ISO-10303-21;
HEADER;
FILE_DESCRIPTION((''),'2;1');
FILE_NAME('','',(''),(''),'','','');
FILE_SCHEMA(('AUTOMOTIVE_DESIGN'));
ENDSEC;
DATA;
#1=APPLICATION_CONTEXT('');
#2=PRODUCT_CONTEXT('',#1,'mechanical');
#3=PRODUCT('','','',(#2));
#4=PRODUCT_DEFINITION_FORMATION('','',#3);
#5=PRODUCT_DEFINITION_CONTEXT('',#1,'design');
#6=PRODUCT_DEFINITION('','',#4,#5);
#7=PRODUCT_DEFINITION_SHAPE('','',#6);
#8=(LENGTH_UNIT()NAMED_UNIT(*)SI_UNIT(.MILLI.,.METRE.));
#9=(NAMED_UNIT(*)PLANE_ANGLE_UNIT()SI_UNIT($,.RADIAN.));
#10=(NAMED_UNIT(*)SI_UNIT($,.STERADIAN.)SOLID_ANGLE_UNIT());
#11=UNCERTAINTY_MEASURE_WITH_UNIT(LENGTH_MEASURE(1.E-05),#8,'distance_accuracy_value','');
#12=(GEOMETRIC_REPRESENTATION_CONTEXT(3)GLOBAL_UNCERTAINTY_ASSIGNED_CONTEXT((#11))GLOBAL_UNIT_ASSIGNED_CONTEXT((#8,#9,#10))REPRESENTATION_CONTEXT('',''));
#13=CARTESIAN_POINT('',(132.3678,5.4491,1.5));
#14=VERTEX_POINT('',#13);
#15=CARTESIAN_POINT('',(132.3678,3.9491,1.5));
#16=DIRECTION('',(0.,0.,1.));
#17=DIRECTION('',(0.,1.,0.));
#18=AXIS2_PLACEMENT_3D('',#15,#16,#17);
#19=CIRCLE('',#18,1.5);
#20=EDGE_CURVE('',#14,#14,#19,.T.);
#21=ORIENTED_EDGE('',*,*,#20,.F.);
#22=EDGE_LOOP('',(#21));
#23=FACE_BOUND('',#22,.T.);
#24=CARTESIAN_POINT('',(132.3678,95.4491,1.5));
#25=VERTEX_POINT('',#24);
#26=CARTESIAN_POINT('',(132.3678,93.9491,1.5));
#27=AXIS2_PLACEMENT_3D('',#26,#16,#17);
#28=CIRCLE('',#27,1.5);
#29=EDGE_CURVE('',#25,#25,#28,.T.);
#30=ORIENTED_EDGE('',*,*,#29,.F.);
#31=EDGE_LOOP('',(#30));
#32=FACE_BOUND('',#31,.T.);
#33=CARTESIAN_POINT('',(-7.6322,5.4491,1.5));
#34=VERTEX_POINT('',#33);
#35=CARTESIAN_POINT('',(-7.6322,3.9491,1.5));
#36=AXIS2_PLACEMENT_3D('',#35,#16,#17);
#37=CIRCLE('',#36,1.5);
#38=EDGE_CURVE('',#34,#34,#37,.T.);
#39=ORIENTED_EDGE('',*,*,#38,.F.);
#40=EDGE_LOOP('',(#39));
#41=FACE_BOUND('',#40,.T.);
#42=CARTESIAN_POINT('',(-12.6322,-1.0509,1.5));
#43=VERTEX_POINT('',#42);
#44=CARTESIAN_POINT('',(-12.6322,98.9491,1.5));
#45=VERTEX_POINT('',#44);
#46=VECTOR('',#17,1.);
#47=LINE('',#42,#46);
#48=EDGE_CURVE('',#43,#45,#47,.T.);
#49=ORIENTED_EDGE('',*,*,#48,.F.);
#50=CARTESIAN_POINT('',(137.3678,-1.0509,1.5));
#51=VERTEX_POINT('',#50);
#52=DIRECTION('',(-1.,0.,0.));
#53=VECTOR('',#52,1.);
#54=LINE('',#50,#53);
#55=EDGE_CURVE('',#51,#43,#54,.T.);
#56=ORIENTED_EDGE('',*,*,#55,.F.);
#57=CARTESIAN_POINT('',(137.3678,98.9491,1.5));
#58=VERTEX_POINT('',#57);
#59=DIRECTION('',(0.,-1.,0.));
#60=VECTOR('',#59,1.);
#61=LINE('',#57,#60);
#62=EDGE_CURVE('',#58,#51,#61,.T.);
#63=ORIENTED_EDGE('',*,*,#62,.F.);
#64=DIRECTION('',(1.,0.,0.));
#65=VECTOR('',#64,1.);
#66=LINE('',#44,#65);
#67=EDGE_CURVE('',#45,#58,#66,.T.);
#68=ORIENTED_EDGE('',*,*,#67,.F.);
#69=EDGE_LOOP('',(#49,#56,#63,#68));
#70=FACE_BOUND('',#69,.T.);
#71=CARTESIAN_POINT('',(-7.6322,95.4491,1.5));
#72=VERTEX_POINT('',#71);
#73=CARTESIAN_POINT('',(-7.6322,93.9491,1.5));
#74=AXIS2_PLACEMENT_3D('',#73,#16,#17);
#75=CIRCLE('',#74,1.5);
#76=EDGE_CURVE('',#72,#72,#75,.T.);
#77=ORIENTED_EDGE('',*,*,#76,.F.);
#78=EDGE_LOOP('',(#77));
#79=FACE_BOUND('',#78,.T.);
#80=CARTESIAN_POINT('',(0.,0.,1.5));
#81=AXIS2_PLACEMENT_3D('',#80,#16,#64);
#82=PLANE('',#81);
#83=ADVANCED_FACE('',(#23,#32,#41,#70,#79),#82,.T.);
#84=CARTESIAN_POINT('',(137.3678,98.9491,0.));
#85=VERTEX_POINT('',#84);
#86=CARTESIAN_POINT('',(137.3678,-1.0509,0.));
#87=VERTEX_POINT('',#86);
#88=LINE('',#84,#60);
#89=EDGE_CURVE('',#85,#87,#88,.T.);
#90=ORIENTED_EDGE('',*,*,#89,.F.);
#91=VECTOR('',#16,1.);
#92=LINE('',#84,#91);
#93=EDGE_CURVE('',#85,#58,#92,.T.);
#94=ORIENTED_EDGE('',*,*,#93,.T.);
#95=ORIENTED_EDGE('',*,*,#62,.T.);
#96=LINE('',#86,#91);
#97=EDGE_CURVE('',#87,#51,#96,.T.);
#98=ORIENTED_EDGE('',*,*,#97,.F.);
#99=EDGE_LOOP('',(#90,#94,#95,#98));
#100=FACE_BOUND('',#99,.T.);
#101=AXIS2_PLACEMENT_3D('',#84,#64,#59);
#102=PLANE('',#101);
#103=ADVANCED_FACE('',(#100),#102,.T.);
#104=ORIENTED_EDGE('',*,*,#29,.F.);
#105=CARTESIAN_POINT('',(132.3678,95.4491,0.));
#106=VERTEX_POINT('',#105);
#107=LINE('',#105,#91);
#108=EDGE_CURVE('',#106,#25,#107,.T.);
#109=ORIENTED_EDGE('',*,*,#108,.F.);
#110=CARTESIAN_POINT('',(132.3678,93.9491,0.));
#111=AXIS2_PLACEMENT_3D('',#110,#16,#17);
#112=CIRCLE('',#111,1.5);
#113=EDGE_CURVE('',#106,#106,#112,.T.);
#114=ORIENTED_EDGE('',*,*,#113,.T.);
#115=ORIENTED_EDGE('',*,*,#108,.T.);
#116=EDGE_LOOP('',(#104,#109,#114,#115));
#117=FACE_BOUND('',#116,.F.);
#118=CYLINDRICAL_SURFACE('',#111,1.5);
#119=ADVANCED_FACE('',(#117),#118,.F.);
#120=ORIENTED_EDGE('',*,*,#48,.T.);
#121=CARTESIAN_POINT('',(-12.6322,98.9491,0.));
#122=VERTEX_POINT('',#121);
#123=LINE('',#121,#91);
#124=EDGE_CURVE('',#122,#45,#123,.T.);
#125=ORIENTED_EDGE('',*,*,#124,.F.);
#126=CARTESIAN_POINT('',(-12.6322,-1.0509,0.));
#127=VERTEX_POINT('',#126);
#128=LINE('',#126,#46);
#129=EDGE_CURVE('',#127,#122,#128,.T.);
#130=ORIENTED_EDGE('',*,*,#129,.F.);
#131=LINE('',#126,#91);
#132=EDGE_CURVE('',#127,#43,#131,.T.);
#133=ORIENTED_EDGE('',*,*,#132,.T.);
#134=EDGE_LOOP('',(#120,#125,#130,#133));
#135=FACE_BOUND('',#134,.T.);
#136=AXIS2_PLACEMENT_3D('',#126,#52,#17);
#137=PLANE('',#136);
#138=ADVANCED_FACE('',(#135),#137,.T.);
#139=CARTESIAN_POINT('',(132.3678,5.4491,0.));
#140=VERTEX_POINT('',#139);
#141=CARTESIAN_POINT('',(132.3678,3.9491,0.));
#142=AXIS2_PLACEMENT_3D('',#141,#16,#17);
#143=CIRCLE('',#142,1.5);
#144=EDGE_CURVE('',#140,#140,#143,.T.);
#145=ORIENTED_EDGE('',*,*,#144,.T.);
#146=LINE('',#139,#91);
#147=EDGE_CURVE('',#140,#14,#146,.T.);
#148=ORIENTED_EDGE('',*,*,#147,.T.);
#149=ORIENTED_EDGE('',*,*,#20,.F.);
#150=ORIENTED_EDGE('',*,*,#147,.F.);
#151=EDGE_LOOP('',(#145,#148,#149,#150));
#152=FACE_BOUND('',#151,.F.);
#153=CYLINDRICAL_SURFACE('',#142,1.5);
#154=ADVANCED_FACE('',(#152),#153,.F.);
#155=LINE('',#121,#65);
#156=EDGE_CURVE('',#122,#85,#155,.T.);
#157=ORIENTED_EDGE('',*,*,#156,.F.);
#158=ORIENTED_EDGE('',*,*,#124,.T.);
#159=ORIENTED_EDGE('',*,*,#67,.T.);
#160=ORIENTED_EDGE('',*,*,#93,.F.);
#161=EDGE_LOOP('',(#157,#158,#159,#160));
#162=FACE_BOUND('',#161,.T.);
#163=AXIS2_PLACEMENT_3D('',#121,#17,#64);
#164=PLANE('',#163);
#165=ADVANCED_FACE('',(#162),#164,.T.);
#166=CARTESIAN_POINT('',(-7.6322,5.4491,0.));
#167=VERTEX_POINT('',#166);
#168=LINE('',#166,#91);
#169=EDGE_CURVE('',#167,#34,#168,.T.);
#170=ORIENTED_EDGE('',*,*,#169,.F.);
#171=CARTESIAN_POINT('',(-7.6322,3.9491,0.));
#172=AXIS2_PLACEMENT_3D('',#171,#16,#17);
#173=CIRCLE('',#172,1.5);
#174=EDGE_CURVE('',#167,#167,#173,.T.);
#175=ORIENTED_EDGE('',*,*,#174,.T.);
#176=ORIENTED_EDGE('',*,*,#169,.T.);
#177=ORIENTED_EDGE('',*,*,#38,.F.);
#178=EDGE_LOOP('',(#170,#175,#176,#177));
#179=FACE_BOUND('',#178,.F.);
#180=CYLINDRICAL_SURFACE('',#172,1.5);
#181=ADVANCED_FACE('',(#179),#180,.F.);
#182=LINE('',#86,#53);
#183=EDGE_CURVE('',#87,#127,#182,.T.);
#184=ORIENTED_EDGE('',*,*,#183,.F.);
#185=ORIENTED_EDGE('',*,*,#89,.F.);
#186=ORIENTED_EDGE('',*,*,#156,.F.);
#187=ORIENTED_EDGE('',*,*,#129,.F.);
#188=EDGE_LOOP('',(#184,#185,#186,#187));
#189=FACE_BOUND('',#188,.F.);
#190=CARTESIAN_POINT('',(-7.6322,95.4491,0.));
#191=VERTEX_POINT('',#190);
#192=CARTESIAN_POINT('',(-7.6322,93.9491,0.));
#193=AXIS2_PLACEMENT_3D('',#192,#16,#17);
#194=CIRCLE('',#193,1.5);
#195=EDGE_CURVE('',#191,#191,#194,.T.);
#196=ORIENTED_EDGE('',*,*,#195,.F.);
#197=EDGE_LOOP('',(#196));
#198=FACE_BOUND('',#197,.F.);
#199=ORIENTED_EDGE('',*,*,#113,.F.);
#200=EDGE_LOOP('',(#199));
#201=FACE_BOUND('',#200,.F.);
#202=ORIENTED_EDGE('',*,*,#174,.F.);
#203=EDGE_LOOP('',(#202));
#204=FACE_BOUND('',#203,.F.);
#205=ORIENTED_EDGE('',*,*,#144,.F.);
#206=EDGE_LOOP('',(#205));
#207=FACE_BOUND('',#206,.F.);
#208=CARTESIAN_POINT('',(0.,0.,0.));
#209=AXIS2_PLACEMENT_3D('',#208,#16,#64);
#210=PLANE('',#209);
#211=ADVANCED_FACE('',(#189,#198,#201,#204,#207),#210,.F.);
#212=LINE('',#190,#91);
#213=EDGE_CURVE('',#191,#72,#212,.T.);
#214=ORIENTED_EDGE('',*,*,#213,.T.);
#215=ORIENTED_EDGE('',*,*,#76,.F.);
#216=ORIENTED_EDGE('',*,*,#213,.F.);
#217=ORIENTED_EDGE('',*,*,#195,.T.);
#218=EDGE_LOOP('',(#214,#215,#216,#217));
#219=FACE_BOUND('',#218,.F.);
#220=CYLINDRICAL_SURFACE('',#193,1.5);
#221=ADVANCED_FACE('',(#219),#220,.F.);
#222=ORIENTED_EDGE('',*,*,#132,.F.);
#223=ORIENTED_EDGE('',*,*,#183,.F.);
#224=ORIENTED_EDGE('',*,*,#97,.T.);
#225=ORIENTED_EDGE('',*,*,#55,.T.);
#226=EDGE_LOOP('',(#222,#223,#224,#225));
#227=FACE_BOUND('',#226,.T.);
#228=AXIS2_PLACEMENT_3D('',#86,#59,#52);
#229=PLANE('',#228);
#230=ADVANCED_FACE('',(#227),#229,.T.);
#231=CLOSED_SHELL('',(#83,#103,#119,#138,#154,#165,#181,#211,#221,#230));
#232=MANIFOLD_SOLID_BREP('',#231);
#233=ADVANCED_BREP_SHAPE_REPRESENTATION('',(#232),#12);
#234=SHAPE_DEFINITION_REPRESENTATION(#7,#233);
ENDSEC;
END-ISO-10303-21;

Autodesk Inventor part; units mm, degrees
ref_plane "YZ Plane" through (0, 0, 0) normal (1, 0, 0) x (0, 1, 0)
ref_plane "XZ Plane" through (0, 0, 0) normal (0, 1, 0) x (-1, 0, 0)
ref_plane "XY Plane" through (0, 0, 0) normal (0, 0, 1) x (1, 0, 0)
sketch "Sketch1" plane through (0, 0, 0) normal (0, 0, 1) x (1, 0, 0)
  line L0 (-12.6322, 98.9491) -> (137.3678, 98.9491)
  line L1 (137.3678, 98.9491) -> (137.3678, -1.0509)
  line L2 (137.3678, -1.0509) -> (-12.6322, -1.0509)
  line L3 (-12.6322, -1.0509) -> (-12.6322, 98.9491)
  point P0 (0, 0)
  point P1 (-7.6322, 93.9491)
  point P2 (132.3678, 93.9491)
  point P3 (132.3678, 3.9491)
  point P4 (-7.6322, 3.9491)
  dimension "d0" = 150
  dimension "d1" = 100
  dimension "d4" = 5
  dimension "d5" = 5
  dimension "d6" = 5
  dimension "d7" = 5
extrude "Extrusion1" add sketch "Sketch1" along normal blind 1.5
sketch "Sketch2" plane through (0, 0, 1.5) normal (0, 0, 1) x (1, 0, 0)
  line L0 (42.2606, 69.8344) -> (131.918, 69.8344) construction
  line L1 (131.918, 69.8344) -> (131.918, 28.1713) construction
  line L2 (131.918, 28.1713) -> (42.2606, 28.1713) construction
  line L3 (42.2606, 28.1713) -> (42.2606, 69.8344) construction
  point P0 (0, 0)
hole "Hole1" at (132.3678, 3.9491, 0) at (132.3678, 93.9491, 0) at (-7.6322, 3.9491, 0) at (-7.6322, 93.9491, 0) direction (0, 0, 1) diameter 3 end through all
equation "\"d5\" = d4"
equation "\"d7\" = d6"
properties part number "ASSEMBLY_Controller_PCB"
